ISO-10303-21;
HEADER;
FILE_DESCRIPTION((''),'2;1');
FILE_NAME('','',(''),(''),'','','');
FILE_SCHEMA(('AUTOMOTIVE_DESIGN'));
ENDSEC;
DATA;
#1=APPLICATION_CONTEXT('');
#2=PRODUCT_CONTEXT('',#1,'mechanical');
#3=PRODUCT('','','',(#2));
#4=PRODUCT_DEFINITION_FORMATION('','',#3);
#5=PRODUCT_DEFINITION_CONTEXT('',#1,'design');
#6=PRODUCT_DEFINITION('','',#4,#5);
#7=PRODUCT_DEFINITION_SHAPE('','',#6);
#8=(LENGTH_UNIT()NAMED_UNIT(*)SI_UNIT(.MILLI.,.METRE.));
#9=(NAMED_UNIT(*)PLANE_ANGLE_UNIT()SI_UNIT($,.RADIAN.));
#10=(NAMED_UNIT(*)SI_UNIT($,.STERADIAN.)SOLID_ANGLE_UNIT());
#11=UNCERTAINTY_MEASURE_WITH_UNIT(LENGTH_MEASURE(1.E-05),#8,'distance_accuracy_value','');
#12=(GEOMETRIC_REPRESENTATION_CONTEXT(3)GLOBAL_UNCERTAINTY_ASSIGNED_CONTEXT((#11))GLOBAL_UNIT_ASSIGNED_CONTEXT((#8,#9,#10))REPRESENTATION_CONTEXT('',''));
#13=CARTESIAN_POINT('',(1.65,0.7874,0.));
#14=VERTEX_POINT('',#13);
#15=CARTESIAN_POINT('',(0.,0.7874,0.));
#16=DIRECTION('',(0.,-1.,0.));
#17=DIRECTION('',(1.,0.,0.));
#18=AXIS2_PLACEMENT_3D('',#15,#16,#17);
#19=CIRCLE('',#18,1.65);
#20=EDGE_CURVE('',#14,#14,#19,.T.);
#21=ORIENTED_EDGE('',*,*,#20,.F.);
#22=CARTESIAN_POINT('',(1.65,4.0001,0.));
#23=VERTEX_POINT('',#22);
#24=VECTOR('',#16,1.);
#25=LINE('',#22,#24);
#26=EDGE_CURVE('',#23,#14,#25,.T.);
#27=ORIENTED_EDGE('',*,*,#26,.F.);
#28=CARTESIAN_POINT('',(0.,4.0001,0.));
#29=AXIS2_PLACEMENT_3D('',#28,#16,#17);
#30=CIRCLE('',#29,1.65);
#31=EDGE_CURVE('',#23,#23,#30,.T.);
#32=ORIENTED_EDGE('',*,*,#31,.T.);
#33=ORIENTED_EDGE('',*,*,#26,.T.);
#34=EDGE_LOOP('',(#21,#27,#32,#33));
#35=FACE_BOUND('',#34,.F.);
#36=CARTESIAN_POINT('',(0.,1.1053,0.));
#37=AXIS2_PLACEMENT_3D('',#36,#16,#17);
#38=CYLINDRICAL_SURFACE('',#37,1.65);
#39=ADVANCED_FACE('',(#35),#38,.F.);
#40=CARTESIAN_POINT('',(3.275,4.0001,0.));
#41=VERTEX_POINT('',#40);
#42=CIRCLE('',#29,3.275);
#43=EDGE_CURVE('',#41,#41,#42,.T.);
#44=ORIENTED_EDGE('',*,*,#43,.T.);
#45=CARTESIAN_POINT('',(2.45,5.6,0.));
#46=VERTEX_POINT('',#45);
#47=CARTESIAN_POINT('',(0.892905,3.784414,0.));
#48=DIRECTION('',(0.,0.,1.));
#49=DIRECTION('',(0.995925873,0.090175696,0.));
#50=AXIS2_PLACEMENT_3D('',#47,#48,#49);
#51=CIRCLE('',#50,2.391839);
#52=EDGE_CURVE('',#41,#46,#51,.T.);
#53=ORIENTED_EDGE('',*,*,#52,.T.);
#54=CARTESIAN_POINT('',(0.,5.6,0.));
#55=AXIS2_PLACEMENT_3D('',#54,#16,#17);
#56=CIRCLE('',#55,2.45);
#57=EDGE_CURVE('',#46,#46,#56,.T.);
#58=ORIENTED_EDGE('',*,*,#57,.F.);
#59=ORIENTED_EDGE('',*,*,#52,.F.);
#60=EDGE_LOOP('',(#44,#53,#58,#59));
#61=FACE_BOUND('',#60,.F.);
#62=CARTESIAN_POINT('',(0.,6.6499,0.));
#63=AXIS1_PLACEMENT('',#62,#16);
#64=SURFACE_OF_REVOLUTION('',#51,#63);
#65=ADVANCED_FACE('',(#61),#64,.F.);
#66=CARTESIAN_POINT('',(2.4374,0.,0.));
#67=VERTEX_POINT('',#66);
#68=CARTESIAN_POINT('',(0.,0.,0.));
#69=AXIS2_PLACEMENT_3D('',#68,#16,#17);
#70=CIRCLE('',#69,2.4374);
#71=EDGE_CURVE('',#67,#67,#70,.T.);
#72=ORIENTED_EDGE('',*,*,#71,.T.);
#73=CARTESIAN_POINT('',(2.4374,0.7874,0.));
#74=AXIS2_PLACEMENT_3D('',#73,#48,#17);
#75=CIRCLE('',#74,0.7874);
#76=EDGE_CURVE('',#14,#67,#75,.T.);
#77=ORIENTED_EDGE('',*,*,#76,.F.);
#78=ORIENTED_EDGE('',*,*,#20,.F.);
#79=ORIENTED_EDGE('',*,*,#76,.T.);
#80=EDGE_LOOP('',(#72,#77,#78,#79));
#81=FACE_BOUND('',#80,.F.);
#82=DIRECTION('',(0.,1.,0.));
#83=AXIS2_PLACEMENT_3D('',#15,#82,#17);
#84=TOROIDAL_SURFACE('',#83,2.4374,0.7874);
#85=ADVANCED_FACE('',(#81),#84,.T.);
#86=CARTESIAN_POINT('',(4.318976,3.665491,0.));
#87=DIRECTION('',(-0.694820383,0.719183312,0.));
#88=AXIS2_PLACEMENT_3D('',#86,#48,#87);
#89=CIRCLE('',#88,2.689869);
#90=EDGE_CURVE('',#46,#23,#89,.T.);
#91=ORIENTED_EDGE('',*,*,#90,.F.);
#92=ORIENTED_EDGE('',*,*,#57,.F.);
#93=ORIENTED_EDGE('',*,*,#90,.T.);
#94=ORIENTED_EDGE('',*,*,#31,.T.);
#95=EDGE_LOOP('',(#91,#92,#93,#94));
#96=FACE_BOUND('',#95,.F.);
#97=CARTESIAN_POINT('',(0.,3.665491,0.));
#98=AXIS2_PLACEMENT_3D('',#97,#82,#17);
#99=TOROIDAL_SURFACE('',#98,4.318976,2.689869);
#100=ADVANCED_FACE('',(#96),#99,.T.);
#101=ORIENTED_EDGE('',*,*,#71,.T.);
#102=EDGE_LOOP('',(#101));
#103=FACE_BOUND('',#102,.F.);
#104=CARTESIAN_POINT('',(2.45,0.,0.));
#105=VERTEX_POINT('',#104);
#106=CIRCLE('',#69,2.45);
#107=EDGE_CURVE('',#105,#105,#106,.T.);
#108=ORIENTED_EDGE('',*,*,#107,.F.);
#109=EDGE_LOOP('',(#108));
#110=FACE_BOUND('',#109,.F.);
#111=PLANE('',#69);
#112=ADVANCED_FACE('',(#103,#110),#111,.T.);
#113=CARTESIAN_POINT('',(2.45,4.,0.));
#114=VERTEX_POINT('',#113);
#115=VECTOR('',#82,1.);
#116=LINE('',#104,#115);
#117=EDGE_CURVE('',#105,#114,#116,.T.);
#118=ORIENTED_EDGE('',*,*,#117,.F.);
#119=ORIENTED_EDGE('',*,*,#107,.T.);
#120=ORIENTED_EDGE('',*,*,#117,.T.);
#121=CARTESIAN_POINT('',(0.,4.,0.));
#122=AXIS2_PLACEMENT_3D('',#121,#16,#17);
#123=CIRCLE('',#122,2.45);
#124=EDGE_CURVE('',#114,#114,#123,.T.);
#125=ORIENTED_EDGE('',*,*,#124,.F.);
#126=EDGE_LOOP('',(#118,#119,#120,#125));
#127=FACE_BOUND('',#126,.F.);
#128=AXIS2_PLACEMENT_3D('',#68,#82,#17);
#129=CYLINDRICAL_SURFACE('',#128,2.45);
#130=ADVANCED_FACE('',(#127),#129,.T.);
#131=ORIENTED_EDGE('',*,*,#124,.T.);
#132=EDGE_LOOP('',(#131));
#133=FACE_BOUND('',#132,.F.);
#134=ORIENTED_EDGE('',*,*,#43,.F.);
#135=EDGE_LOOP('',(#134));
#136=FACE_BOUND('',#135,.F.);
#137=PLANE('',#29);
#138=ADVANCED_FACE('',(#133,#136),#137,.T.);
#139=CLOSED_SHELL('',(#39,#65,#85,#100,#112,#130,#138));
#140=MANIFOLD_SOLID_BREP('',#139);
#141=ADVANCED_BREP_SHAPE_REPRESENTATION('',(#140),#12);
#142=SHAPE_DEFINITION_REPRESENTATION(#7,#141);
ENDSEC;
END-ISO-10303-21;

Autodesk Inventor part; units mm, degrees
ref_plane "YZ Plane" through (0, 0, 0) normal (1, 0, 0) x (0, 1, 0)
ref_plane "XZ Plane" through (0, 0, 0) normal (0, 1, 0) x (-1, 0, 0)
ref_plane "XY Plane" through (0, 0, 0) normal (0, 0, 1) x (1, 0, 0)
sketch "Sketch2" plane through (0, 0, 0) normal (0, 0, 1) x (1, 0, 0)
  line L0 (0, 0) -> (2.45, 0)
  line L1 (2.45, 0) -> (2.45, 4)
  line L2 (0.025, 4.0001) -> (3.275, 4.0001)
  line L3 (2.45, 4) -> (2.45, 5.6)
  line L4 (0, 1.1053) -> (1.65, 1.1053)
  line L5 (1.65, 1.1053) -> (1.65, 0)
  line L6 (1.65, 4.0001) -> (1.65, 0)
  arc A0 (2.45, 5.6) -> (1.65, 4.0001) centre (4.3191, 3.6654) ccw
  arc A1 (3.275, 4.0001) -> (2.45, 5.6) centre (0.8932, 3.7845) ccw
  line L7 (0, 6.6499) -> (0, 0)
  point P0 (2.45, 4.0001)
  dimension "d5" = 2.45
  dimension "d6" = 4
  dimension "d7" = 3.25
  dimension "d8" = 1.6
  dimension "d9" = 1.65
revolve "Revolution1" add sketch "Sketch2" angle 360 about axis through (0, 6.6499, 0) along (0, -1, 0) contours L5 L6 L2 L1 L0 | L3 A1 L2 | L2 A0 L3
fillet "Fillet1" radius 0.7874 1 edges at (-1.65, 0, 0)
sketch "Sketch3" plane through (0, 0, 0) normal (0, 0, 1) x (1, 0, 0)
  point P0 (0, 0)
properties part number "eyelet"
